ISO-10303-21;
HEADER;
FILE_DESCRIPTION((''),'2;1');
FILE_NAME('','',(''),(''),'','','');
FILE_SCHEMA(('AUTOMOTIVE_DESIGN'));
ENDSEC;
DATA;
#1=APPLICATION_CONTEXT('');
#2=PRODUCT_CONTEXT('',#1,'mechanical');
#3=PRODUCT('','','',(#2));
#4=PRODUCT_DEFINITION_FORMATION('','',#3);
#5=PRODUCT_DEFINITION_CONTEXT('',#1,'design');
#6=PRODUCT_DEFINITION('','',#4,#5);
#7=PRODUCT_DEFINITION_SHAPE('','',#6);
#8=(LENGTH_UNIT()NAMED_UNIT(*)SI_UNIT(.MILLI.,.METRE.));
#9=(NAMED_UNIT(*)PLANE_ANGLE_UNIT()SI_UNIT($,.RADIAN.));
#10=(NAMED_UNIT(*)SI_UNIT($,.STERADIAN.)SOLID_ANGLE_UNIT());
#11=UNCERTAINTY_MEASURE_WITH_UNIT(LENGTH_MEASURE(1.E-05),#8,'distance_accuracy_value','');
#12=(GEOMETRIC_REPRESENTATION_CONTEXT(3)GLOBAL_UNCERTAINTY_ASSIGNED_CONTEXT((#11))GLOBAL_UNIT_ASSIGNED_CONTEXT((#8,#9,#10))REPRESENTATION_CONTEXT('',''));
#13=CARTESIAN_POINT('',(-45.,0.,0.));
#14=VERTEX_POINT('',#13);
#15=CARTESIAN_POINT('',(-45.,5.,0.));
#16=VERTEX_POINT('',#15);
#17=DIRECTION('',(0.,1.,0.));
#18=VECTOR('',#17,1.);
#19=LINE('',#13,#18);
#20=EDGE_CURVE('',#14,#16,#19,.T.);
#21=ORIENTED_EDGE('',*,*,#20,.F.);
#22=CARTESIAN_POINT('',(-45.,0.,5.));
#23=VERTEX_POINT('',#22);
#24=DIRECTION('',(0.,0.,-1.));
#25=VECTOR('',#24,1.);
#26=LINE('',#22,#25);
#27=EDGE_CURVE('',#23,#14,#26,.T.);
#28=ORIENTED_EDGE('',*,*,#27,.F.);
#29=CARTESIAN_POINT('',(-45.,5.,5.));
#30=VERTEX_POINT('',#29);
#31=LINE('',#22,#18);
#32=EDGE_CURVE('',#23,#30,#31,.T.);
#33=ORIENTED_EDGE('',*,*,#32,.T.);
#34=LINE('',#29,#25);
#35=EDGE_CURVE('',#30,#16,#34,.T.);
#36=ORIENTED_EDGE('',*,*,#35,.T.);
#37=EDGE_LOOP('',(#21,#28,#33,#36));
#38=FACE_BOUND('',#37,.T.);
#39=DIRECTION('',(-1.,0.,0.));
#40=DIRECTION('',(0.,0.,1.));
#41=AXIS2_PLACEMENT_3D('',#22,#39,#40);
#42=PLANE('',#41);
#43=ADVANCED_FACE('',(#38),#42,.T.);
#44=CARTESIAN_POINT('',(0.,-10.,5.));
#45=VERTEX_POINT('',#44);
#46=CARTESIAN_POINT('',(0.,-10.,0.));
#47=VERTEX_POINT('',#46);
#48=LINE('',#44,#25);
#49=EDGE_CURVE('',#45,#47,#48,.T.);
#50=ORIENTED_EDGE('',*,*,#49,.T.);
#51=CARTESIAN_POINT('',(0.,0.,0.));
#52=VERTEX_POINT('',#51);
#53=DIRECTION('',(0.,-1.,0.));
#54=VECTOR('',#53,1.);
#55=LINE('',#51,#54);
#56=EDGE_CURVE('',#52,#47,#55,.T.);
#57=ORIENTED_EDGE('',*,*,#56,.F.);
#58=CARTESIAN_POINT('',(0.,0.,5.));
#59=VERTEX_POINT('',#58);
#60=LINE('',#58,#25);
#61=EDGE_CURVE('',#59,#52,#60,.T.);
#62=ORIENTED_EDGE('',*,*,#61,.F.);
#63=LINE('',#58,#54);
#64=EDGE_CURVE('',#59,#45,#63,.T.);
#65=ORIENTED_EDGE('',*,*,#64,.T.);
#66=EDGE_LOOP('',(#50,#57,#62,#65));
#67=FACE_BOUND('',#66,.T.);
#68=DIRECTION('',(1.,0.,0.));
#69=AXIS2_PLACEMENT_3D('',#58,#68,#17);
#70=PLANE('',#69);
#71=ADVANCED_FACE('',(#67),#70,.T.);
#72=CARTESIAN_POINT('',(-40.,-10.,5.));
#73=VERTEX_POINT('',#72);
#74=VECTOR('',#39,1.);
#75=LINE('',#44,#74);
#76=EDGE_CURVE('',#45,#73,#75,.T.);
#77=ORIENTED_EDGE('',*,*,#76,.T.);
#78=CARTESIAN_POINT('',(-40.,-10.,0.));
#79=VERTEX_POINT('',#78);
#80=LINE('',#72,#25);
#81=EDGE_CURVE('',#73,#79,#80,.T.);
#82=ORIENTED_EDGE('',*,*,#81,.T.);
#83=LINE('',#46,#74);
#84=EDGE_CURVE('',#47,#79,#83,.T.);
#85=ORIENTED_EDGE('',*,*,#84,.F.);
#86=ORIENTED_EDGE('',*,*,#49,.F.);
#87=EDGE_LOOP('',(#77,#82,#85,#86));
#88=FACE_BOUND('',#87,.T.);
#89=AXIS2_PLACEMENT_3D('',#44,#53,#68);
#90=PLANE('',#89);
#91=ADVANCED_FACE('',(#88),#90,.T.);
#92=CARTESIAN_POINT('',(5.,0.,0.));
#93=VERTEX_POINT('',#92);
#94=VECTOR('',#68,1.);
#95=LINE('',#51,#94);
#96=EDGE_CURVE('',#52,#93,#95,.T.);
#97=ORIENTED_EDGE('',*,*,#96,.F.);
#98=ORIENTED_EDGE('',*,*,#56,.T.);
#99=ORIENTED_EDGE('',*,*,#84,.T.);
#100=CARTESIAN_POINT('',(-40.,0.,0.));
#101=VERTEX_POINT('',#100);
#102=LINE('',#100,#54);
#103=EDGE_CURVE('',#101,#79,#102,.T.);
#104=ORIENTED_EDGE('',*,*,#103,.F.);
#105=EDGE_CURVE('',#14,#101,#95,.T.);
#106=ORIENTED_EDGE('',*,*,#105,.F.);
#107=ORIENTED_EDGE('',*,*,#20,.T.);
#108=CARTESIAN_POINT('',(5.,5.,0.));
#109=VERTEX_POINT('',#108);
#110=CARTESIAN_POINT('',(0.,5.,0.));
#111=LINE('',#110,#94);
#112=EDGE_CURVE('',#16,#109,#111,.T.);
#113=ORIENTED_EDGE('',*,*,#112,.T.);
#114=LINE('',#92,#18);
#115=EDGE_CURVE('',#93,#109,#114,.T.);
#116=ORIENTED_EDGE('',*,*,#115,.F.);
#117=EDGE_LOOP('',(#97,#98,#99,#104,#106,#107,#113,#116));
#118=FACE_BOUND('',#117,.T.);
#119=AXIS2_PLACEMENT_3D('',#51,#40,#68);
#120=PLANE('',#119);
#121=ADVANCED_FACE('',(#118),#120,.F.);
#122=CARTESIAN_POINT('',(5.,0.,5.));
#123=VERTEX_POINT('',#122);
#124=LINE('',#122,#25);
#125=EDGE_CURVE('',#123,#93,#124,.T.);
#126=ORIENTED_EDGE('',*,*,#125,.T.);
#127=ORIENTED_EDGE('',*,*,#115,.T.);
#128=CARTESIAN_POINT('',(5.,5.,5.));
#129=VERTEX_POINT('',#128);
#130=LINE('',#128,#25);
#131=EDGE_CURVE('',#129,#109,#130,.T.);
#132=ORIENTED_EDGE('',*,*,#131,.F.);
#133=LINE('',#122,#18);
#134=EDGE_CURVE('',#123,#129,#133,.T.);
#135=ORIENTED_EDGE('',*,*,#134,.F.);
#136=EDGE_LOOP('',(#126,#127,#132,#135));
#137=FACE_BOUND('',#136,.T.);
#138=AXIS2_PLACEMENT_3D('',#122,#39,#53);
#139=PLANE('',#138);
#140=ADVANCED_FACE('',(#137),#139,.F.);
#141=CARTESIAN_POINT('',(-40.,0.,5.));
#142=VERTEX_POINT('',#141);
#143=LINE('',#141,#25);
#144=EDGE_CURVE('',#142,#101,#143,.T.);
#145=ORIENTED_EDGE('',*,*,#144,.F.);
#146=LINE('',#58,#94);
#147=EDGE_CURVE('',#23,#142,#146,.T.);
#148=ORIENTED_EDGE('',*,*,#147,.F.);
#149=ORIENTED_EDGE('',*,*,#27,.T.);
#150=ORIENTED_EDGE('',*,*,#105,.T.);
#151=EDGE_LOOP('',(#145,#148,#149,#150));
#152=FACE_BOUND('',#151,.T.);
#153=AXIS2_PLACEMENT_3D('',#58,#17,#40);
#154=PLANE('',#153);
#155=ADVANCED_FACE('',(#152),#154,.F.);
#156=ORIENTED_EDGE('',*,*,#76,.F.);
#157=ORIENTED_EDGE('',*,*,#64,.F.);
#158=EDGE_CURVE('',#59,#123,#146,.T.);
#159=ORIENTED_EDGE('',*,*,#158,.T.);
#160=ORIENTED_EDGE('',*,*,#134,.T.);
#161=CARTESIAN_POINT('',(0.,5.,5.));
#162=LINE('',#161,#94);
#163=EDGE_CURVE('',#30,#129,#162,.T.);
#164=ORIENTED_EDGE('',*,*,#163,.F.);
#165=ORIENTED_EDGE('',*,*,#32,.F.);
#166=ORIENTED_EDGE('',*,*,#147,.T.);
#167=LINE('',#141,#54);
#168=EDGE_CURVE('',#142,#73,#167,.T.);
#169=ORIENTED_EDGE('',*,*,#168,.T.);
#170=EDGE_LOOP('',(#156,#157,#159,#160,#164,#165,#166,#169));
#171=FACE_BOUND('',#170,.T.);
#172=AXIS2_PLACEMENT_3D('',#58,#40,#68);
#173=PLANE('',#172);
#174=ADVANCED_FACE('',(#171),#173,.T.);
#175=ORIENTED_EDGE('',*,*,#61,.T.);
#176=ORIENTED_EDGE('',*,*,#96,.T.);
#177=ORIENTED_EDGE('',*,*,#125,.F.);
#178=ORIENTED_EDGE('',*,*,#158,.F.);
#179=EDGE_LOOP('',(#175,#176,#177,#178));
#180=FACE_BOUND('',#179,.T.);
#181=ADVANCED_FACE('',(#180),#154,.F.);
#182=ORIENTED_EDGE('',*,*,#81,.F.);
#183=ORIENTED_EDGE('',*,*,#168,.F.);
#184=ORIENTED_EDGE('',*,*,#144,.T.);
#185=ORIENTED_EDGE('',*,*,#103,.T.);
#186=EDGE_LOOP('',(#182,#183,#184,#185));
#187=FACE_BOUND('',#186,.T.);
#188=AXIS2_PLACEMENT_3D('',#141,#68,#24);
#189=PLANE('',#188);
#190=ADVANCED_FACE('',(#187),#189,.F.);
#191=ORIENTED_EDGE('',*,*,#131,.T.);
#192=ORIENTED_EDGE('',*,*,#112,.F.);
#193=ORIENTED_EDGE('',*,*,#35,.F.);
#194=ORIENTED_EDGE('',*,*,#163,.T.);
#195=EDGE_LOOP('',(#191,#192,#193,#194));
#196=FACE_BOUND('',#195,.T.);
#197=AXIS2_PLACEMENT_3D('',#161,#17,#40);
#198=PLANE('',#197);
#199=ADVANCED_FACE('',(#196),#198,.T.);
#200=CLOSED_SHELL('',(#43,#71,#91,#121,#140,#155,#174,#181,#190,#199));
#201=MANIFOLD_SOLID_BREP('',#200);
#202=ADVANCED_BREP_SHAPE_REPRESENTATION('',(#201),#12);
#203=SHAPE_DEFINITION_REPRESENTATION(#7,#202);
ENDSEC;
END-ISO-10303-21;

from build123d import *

# Parameters (mm, degrees)
SKETCH1_W           = 40
SKETCH1_H           = 10
BOSS_EXTRUDE1_DEPTH = 5


with BuildPart() as part:
    # Sketch1 → Boss-Extrude1 (new body)
    with BuildSketch(Plane.XY):
        with Locations((-20, -5)):
            Rectangle(SKETCH1_W, SKETCH1_H)
        Polygon((-40, 0), (0, 0), (5, 0), (5, 5), (-45, 5), (-45, 0), align=None)
    extrude(amount=BOSS_EXTRUDE1_DEPTH)


solid = part.part
